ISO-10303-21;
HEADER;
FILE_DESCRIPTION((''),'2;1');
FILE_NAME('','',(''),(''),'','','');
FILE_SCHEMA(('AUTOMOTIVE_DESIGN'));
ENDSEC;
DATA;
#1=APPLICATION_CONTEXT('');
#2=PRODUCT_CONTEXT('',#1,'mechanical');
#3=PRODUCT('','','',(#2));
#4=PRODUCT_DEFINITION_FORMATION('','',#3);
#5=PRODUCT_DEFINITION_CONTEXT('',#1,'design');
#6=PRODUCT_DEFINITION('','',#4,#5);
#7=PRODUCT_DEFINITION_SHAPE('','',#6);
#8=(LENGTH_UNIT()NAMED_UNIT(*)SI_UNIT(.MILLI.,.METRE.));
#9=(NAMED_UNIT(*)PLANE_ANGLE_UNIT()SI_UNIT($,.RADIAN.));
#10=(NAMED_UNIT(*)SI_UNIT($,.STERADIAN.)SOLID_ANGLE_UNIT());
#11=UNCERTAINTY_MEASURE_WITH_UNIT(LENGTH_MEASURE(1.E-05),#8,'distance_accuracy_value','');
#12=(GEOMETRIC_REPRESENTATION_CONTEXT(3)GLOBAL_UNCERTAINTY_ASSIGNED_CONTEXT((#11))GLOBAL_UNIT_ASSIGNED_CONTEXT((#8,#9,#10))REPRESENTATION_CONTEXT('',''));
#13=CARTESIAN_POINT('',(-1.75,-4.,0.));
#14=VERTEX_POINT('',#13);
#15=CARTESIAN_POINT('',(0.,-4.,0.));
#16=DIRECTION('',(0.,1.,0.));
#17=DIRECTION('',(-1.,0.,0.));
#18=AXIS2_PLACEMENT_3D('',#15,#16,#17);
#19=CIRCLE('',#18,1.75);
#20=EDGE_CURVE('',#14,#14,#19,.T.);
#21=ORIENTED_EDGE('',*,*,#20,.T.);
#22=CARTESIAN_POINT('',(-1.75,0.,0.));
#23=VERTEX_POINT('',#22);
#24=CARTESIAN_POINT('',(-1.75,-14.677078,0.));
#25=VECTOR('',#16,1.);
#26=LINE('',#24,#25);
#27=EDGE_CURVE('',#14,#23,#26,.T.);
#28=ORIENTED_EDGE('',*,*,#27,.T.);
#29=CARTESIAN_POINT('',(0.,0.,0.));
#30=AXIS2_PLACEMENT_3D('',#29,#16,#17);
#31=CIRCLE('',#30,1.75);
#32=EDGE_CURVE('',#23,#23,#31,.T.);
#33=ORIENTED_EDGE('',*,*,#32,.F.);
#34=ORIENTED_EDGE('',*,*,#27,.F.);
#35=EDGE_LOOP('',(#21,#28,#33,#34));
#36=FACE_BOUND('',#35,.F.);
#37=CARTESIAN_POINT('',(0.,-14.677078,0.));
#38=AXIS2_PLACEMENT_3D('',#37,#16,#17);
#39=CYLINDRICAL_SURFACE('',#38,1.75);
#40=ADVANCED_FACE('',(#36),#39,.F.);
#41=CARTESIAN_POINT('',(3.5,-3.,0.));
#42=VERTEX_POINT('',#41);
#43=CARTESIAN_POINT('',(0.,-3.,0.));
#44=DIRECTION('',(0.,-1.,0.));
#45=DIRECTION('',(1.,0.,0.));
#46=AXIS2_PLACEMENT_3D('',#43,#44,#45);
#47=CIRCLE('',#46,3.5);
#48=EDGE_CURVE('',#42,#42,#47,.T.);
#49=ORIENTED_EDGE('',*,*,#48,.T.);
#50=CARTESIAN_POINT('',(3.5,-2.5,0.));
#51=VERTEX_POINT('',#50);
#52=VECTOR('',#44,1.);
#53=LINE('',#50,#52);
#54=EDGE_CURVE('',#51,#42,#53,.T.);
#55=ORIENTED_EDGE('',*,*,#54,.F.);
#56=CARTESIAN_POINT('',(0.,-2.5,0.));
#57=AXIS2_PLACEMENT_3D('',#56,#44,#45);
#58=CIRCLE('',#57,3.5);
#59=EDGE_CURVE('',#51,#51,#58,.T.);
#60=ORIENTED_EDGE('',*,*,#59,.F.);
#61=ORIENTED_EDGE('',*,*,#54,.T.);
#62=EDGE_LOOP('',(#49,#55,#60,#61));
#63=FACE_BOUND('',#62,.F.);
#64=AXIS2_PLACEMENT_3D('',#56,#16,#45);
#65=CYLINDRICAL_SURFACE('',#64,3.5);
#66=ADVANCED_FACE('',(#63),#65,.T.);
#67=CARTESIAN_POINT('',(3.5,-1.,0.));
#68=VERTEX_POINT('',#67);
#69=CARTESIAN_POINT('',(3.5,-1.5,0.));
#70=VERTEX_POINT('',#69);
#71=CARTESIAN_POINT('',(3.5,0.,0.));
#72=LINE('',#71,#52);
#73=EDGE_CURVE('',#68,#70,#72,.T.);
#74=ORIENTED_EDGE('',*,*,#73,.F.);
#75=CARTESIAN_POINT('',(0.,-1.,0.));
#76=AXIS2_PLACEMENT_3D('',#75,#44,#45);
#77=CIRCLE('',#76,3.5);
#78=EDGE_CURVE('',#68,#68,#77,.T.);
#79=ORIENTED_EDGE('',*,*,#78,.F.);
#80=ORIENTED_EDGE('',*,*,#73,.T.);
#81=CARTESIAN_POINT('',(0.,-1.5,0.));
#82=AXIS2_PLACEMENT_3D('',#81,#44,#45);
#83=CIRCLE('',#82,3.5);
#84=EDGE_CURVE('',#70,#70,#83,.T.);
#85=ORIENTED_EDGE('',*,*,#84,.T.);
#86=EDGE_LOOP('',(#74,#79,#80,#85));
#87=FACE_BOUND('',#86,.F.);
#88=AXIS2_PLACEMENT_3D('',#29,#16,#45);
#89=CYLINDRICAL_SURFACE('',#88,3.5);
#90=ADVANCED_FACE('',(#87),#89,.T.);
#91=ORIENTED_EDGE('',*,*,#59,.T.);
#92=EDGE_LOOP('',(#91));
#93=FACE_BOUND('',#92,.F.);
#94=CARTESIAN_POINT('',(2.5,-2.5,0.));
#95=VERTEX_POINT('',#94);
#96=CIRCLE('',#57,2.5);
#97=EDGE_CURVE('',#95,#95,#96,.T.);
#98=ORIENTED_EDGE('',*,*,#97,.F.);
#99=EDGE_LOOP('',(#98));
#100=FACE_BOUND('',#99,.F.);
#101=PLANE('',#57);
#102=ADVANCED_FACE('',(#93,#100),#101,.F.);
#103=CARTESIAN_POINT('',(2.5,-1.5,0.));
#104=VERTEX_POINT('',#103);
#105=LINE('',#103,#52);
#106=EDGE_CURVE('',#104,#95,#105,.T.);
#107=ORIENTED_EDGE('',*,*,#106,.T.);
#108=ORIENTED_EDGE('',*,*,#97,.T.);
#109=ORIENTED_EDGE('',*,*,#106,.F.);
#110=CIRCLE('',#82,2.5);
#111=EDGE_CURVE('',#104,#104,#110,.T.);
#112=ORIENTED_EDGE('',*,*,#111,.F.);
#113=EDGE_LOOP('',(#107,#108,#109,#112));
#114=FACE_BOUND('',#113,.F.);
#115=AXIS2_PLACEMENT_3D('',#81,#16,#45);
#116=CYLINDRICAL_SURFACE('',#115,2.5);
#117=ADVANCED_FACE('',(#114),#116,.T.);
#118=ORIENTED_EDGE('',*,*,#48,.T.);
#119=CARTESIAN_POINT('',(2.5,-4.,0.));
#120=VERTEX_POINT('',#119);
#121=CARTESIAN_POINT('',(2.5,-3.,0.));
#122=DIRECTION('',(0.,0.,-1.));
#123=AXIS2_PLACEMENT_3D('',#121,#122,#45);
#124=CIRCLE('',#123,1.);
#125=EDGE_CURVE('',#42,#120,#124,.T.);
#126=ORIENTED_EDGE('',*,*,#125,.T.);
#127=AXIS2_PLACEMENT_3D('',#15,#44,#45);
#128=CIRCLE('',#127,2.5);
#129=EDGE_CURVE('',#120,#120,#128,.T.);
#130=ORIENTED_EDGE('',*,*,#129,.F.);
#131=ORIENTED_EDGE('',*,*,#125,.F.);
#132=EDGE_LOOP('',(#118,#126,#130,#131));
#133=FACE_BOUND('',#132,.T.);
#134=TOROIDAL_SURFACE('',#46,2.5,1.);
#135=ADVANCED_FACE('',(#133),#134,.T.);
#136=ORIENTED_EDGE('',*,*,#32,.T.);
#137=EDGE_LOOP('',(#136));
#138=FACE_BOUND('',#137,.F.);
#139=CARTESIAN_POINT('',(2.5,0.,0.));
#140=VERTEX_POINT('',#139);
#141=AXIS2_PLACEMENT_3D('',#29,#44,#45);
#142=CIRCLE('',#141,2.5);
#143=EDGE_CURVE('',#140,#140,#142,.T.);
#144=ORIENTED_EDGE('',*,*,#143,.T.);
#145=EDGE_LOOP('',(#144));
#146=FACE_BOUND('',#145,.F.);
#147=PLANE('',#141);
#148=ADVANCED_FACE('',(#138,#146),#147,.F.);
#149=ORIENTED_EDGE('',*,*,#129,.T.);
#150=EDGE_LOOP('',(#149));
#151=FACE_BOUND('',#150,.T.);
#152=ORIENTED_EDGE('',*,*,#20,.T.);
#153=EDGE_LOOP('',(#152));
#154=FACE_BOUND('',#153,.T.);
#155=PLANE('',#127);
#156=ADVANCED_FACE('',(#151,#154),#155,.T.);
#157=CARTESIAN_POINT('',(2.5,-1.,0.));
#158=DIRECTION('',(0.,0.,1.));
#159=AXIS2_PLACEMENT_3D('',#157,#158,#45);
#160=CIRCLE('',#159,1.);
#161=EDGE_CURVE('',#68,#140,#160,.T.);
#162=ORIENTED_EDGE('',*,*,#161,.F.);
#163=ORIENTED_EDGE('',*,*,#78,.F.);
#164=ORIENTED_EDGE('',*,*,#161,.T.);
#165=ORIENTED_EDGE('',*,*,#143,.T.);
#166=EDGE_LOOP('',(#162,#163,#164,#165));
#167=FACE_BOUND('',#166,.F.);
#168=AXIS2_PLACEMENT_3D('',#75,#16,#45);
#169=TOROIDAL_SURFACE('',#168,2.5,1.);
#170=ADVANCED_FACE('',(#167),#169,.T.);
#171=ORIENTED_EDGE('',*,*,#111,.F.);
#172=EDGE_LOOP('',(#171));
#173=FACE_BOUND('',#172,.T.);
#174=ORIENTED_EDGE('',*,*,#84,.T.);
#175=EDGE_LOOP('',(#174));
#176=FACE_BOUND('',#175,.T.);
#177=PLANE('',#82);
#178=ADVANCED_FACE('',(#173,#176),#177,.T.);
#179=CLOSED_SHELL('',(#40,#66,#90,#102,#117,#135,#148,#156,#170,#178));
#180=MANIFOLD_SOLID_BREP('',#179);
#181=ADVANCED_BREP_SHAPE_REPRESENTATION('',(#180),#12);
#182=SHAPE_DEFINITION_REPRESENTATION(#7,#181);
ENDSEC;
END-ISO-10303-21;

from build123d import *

# Parameters (mm, degrees)
F0_R      = 3.5
F1_DEPTH  = 1.5
F2_R      = 2.5
F3_DEPTH  = 1
F4_R      = 3.5
F4_R_2    = 2.5
F5_DEPTH  = 1.5
F6_R      = 1
F7_R      = 1
F10_R     = 3.5
F11_DEPTH = 1.5
F12_R     = 1
F13_D     = 3.5


with BuildPart() as f1:
    # F0 (on Front) → F1 (new body)
    with BuildSketch(Plane.XZ):
        Circle(F0_R)
    extrude(amount=F1_DEPTH)

    # F2 (on face) → F3 (join)
    with BuildSketch(Plane.XZ.offset(1.5)):
        Circle(F2_R)
    extrude(amount=F3_DEPTH)

    # F7
    f7_edges = [f1.edges().sort_by_distance(p)[0] for p in [
        (-3.5, 0, 0),
    ]]
    fillet(f7_edges, radius=F7_R)

    # F10 (on face) → F11 (join)
    with BuildSketch(Plane.XZ.offset(2.5)):
        Circle(F10_R)
    extrude(amount=F11_DEPTH)

    # F12
    f12_edges = [f1.edges().sort_by_distance(p)[0] for p in [
        (-3.5, -4, 0),
    ]]
    fillet(f12_edges, radius=F12_R)

    # F13 (through all)
    with Locations(Plane.XZ.offset(4)):
        with Locations((0, 0)):
            Hole(F13_D / 2)


with BuildPart() as f5:
    # F4 (on face) → F5 (new body)
    with BuildSketch(Plane.XZ.offset(2.5)):
        Circle(F4_R)
        Circle(F4_R_2, mode=Mode.SUBTRACT)
        Circle(F4_R_2)
    extrude(amount=F5_DEPTH)

    # F6
    f6_edges = [f5.edges().sort_by_distance(p)[0] for p in [
        (-3.5, -4, 0),
    ]]
    fillet(f6_edges, radius=F6_R)


solid = f1.part
